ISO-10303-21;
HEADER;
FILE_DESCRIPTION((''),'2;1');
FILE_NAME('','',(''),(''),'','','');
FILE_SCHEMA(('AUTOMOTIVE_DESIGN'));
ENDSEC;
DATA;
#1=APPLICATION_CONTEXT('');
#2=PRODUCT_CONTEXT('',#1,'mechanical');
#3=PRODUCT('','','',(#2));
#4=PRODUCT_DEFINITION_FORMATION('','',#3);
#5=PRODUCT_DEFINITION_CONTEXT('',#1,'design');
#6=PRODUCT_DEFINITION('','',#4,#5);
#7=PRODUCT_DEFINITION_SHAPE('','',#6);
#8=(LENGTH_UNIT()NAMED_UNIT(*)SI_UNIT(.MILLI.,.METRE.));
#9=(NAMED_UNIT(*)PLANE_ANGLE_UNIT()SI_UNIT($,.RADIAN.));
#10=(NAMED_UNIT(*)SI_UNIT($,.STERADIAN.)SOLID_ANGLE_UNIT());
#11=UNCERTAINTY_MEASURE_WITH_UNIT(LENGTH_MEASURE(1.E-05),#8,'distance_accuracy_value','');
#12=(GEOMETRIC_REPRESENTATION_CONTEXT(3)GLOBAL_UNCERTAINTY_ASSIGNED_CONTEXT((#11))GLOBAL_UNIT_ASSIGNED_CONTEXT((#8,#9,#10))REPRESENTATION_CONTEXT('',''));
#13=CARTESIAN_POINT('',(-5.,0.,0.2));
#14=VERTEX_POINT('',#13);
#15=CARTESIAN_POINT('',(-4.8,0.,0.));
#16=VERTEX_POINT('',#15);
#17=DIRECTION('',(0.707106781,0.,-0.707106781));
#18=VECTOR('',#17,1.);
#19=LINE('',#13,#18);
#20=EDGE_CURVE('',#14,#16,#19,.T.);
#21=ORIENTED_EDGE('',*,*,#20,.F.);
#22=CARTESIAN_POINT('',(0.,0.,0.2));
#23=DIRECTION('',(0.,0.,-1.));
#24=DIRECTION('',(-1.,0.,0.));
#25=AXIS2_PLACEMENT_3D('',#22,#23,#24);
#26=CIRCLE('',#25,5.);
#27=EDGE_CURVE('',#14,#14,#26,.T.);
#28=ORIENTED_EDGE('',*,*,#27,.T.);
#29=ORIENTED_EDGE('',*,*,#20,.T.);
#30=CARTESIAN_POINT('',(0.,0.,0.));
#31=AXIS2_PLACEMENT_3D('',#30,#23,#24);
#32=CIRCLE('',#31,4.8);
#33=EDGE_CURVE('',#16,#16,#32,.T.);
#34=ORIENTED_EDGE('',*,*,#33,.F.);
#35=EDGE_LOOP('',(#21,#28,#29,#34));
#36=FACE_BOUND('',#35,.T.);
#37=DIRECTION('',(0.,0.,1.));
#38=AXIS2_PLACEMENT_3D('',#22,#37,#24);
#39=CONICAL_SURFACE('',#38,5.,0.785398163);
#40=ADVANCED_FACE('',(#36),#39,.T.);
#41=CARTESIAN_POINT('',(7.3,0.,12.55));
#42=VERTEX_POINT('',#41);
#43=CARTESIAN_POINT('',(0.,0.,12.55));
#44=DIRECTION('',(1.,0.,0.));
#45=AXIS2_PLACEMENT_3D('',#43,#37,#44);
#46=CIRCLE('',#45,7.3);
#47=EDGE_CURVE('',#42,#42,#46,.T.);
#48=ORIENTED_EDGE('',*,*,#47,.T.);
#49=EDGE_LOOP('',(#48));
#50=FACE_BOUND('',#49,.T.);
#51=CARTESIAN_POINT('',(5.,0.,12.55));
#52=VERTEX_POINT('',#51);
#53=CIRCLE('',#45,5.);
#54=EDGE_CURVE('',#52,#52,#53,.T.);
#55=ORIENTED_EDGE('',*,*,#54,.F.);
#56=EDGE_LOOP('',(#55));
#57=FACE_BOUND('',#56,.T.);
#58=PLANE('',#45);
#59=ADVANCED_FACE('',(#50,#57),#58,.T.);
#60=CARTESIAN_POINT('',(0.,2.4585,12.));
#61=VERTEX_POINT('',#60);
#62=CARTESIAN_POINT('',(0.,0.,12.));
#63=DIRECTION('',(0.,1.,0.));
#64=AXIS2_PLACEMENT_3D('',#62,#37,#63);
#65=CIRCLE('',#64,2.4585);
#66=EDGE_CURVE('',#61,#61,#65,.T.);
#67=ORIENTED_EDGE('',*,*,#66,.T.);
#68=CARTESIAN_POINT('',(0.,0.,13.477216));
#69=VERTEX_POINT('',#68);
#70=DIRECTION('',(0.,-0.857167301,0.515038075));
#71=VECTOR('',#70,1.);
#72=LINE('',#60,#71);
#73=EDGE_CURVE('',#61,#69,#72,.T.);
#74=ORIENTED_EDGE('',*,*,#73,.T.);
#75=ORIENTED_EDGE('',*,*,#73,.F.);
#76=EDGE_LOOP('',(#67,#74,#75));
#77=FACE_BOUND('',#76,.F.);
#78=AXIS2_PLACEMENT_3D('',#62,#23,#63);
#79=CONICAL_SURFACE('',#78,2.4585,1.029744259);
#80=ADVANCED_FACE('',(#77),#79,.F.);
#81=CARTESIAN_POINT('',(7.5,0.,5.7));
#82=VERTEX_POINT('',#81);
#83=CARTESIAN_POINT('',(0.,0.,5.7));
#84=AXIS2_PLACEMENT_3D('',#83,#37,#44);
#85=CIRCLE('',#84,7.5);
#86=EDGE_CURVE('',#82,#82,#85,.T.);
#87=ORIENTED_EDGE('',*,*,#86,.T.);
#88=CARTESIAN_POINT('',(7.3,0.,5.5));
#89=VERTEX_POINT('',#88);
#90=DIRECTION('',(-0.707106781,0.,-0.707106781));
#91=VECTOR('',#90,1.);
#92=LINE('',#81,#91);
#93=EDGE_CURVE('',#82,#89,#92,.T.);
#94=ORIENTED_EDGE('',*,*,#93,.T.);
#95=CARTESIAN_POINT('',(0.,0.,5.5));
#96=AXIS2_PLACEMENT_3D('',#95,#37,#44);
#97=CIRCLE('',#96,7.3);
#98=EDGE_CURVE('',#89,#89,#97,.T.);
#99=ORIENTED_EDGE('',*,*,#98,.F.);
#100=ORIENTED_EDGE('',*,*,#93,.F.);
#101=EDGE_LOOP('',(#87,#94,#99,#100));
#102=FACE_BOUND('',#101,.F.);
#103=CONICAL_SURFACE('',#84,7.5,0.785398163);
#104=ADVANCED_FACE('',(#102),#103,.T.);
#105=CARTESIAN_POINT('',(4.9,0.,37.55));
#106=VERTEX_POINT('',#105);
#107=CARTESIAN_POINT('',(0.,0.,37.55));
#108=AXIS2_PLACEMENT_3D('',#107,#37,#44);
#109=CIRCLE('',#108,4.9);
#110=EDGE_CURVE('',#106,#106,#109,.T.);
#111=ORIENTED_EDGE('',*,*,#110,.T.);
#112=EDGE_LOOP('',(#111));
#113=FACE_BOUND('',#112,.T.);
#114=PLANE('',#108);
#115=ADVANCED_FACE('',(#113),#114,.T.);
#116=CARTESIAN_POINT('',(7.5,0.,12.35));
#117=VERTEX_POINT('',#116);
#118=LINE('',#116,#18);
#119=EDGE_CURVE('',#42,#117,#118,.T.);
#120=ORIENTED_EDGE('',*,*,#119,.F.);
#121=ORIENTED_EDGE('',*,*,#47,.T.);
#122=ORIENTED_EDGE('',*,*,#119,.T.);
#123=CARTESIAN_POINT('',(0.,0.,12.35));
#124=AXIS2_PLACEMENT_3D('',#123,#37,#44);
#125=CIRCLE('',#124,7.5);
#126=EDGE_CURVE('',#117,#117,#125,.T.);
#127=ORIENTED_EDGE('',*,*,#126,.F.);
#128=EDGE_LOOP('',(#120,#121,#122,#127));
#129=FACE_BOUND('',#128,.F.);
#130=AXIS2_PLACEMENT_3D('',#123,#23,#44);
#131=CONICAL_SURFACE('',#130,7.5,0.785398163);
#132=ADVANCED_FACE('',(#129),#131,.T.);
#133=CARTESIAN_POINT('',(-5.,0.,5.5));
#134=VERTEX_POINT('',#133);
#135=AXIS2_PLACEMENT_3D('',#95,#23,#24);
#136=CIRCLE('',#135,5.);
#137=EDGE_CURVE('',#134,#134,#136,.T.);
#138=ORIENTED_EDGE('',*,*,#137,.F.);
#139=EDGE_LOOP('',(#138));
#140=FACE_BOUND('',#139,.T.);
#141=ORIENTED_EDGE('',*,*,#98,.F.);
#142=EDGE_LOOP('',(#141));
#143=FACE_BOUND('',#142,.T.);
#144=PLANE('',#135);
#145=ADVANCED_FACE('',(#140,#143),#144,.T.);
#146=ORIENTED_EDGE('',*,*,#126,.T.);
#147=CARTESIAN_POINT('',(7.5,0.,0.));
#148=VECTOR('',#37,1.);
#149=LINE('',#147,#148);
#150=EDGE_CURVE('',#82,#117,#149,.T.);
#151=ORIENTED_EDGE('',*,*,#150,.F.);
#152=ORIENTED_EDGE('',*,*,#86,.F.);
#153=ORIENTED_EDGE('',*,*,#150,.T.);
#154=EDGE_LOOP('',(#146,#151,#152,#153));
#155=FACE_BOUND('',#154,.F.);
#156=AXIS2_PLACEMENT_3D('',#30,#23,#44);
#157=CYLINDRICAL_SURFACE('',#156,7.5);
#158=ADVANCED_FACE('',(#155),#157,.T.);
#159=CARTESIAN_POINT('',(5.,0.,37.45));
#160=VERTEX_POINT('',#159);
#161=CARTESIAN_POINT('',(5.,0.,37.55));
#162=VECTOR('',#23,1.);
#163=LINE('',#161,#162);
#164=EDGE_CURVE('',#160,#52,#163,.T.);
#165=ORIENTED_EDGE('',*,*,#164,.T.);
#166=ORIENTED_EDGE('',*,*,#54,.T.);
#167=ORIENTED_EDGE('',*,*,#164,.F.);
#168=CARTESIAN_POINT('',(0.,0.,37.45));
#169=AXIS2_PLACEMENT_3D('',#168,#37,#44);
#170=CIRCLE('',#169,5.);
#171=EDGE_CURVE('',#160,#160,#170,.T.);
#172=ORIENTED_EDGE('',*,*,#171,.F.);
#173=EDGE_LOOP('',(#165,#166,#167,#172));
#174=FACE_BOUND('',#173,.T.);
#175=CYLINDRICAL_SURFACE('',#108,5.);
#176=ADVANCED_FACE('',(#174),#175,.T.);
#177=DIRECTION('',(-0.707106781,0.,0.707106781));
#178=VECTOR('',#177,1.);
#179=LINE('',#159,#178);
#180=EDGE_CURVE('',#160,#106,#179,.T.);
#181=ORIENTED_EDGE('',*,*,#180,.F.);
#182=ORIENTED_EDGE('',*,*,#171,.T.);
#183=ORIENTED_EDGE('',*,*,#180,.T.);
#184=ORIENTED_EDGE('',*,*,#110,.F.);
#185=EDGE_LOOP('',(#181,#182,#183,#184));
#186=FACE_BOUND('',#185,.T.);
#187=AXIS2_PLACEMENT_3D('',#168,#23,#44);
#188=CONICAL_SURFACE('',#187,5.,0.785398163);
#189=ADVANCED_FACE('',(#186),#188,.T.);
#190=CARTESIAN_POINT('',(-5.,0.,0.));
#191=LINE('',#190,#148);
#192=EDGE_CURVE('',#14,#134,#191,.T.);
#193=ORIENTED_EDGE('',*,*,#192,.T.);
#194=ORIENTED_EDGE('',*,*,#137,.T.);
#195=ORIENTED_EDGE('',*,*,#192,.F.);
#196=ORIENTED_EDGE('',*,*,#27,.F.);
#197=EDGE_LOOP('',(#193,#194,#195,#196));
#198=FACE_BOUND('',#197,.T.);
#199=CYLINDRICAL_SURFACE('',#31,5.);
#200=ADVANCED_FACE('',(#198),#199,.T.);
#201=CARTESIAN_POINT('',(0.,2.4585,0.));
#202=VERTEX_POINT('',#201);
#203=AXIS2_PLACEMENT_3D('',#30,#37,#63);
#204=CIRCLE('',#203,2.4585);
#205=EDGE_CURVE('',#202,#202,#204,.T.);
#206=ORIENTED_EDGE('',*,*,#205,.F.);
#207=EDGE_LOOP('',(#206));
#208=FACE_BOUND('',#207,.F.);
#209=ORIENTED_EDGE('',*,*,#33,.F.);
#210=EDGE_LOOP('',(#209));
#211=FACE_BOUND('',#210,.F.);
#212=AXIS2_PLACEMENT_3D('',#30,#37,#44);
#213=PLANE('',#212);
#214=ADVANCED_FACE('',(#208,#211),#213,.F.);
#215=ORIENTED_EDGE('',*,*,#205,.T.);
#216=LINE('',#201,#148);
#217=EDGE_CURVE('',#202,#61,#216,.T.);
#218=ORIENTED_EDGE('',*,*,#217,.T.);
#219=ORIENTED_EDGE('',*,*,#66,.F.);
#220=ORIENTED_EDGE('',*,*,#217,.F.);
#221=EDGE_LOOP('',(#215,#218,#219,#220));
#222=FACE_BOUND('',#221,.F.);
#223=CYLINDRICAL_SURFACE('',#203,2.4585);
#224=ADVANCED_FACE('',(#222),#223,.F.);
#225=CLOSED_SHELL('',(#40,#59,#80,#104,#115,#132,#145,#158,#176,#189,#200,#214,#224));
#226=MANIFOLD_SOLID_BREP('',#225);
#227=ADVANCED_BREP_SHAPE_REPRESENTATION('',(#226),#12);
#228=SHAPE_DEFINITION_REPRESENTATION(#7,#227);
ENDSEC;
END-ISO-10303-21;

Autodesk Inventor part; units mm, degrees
ref_plane "YZ Plane" through (0, 0, 0) normal (1, 0, 0) x (0, 1, 0)
ref_plane "XZ Plane" through (0, 0, 0) normal (0, 1, 0) x (-1, 0, 0)
ref_plane "XY Plane" through (0, 0, 0) normal (0, 0, 1) x (1, 0, 0)
sketch "Sketch1" plane through (0, 0, 0) normal (0, 0, 1) x (1, 0, 0)
  circle A0 centre (0, 0) radius 7.5
  dimension "Diameter" = 15
extrude "Extrusion1" add sketch "Sketch1" along normal blind 37.55
sketch "Sketch2" plane through (0, 0, 37.55) normal (0, 0, 1) x (1, 0, 0)
  circle A0 centre (0, 0) radius 5
  circle A1 centre (0, 0) radius 7.5 projected
  dimension "d3" = 10
extrude "Extrusion2" cut sketch "Sketch2" against normal blind 25
chamfer "Chamfer1" distance 0.1 angle 45 1 edges at (-5, 0, 37.55)
thread "Thread1" size "M10x1.5" class "6g" standard "ANSI Metric M Profile" length 25
sketch "Sketch3" plane through (0, 0, 0) normal (0, 0, -1) x (-1, 0, 0)
  circle A0 centre (0, 0) radius 5
  circle A1 centre (0, 0) radius 7.5 projected
  dimension "d11" = 10
extrude "Extrusion3" cut sketch "Sketch3" against normal blind 5.5
sketch "Sketch4" plane through (0, 0, 0) normal (0, 0, -1) x (-1, 0, 0)
  point P0 (0, 0)
  point P1 (0, 0)
hole "Hole1" at (0, 0, 0) direction (0, 0, 1) diameter 4.917 depth 12 tip angle 118 thread size "M6x1" class "6H" standard "ISO Metric profile"
chamfer "Chamfer2" distance 0.2 angle 45 3 edges at (5, 0, 0) (-7.5, 0, 5.5) (-7.5, 0, 12.55)
properties part number "Pully Shaft" material "Steel, Alloy"
